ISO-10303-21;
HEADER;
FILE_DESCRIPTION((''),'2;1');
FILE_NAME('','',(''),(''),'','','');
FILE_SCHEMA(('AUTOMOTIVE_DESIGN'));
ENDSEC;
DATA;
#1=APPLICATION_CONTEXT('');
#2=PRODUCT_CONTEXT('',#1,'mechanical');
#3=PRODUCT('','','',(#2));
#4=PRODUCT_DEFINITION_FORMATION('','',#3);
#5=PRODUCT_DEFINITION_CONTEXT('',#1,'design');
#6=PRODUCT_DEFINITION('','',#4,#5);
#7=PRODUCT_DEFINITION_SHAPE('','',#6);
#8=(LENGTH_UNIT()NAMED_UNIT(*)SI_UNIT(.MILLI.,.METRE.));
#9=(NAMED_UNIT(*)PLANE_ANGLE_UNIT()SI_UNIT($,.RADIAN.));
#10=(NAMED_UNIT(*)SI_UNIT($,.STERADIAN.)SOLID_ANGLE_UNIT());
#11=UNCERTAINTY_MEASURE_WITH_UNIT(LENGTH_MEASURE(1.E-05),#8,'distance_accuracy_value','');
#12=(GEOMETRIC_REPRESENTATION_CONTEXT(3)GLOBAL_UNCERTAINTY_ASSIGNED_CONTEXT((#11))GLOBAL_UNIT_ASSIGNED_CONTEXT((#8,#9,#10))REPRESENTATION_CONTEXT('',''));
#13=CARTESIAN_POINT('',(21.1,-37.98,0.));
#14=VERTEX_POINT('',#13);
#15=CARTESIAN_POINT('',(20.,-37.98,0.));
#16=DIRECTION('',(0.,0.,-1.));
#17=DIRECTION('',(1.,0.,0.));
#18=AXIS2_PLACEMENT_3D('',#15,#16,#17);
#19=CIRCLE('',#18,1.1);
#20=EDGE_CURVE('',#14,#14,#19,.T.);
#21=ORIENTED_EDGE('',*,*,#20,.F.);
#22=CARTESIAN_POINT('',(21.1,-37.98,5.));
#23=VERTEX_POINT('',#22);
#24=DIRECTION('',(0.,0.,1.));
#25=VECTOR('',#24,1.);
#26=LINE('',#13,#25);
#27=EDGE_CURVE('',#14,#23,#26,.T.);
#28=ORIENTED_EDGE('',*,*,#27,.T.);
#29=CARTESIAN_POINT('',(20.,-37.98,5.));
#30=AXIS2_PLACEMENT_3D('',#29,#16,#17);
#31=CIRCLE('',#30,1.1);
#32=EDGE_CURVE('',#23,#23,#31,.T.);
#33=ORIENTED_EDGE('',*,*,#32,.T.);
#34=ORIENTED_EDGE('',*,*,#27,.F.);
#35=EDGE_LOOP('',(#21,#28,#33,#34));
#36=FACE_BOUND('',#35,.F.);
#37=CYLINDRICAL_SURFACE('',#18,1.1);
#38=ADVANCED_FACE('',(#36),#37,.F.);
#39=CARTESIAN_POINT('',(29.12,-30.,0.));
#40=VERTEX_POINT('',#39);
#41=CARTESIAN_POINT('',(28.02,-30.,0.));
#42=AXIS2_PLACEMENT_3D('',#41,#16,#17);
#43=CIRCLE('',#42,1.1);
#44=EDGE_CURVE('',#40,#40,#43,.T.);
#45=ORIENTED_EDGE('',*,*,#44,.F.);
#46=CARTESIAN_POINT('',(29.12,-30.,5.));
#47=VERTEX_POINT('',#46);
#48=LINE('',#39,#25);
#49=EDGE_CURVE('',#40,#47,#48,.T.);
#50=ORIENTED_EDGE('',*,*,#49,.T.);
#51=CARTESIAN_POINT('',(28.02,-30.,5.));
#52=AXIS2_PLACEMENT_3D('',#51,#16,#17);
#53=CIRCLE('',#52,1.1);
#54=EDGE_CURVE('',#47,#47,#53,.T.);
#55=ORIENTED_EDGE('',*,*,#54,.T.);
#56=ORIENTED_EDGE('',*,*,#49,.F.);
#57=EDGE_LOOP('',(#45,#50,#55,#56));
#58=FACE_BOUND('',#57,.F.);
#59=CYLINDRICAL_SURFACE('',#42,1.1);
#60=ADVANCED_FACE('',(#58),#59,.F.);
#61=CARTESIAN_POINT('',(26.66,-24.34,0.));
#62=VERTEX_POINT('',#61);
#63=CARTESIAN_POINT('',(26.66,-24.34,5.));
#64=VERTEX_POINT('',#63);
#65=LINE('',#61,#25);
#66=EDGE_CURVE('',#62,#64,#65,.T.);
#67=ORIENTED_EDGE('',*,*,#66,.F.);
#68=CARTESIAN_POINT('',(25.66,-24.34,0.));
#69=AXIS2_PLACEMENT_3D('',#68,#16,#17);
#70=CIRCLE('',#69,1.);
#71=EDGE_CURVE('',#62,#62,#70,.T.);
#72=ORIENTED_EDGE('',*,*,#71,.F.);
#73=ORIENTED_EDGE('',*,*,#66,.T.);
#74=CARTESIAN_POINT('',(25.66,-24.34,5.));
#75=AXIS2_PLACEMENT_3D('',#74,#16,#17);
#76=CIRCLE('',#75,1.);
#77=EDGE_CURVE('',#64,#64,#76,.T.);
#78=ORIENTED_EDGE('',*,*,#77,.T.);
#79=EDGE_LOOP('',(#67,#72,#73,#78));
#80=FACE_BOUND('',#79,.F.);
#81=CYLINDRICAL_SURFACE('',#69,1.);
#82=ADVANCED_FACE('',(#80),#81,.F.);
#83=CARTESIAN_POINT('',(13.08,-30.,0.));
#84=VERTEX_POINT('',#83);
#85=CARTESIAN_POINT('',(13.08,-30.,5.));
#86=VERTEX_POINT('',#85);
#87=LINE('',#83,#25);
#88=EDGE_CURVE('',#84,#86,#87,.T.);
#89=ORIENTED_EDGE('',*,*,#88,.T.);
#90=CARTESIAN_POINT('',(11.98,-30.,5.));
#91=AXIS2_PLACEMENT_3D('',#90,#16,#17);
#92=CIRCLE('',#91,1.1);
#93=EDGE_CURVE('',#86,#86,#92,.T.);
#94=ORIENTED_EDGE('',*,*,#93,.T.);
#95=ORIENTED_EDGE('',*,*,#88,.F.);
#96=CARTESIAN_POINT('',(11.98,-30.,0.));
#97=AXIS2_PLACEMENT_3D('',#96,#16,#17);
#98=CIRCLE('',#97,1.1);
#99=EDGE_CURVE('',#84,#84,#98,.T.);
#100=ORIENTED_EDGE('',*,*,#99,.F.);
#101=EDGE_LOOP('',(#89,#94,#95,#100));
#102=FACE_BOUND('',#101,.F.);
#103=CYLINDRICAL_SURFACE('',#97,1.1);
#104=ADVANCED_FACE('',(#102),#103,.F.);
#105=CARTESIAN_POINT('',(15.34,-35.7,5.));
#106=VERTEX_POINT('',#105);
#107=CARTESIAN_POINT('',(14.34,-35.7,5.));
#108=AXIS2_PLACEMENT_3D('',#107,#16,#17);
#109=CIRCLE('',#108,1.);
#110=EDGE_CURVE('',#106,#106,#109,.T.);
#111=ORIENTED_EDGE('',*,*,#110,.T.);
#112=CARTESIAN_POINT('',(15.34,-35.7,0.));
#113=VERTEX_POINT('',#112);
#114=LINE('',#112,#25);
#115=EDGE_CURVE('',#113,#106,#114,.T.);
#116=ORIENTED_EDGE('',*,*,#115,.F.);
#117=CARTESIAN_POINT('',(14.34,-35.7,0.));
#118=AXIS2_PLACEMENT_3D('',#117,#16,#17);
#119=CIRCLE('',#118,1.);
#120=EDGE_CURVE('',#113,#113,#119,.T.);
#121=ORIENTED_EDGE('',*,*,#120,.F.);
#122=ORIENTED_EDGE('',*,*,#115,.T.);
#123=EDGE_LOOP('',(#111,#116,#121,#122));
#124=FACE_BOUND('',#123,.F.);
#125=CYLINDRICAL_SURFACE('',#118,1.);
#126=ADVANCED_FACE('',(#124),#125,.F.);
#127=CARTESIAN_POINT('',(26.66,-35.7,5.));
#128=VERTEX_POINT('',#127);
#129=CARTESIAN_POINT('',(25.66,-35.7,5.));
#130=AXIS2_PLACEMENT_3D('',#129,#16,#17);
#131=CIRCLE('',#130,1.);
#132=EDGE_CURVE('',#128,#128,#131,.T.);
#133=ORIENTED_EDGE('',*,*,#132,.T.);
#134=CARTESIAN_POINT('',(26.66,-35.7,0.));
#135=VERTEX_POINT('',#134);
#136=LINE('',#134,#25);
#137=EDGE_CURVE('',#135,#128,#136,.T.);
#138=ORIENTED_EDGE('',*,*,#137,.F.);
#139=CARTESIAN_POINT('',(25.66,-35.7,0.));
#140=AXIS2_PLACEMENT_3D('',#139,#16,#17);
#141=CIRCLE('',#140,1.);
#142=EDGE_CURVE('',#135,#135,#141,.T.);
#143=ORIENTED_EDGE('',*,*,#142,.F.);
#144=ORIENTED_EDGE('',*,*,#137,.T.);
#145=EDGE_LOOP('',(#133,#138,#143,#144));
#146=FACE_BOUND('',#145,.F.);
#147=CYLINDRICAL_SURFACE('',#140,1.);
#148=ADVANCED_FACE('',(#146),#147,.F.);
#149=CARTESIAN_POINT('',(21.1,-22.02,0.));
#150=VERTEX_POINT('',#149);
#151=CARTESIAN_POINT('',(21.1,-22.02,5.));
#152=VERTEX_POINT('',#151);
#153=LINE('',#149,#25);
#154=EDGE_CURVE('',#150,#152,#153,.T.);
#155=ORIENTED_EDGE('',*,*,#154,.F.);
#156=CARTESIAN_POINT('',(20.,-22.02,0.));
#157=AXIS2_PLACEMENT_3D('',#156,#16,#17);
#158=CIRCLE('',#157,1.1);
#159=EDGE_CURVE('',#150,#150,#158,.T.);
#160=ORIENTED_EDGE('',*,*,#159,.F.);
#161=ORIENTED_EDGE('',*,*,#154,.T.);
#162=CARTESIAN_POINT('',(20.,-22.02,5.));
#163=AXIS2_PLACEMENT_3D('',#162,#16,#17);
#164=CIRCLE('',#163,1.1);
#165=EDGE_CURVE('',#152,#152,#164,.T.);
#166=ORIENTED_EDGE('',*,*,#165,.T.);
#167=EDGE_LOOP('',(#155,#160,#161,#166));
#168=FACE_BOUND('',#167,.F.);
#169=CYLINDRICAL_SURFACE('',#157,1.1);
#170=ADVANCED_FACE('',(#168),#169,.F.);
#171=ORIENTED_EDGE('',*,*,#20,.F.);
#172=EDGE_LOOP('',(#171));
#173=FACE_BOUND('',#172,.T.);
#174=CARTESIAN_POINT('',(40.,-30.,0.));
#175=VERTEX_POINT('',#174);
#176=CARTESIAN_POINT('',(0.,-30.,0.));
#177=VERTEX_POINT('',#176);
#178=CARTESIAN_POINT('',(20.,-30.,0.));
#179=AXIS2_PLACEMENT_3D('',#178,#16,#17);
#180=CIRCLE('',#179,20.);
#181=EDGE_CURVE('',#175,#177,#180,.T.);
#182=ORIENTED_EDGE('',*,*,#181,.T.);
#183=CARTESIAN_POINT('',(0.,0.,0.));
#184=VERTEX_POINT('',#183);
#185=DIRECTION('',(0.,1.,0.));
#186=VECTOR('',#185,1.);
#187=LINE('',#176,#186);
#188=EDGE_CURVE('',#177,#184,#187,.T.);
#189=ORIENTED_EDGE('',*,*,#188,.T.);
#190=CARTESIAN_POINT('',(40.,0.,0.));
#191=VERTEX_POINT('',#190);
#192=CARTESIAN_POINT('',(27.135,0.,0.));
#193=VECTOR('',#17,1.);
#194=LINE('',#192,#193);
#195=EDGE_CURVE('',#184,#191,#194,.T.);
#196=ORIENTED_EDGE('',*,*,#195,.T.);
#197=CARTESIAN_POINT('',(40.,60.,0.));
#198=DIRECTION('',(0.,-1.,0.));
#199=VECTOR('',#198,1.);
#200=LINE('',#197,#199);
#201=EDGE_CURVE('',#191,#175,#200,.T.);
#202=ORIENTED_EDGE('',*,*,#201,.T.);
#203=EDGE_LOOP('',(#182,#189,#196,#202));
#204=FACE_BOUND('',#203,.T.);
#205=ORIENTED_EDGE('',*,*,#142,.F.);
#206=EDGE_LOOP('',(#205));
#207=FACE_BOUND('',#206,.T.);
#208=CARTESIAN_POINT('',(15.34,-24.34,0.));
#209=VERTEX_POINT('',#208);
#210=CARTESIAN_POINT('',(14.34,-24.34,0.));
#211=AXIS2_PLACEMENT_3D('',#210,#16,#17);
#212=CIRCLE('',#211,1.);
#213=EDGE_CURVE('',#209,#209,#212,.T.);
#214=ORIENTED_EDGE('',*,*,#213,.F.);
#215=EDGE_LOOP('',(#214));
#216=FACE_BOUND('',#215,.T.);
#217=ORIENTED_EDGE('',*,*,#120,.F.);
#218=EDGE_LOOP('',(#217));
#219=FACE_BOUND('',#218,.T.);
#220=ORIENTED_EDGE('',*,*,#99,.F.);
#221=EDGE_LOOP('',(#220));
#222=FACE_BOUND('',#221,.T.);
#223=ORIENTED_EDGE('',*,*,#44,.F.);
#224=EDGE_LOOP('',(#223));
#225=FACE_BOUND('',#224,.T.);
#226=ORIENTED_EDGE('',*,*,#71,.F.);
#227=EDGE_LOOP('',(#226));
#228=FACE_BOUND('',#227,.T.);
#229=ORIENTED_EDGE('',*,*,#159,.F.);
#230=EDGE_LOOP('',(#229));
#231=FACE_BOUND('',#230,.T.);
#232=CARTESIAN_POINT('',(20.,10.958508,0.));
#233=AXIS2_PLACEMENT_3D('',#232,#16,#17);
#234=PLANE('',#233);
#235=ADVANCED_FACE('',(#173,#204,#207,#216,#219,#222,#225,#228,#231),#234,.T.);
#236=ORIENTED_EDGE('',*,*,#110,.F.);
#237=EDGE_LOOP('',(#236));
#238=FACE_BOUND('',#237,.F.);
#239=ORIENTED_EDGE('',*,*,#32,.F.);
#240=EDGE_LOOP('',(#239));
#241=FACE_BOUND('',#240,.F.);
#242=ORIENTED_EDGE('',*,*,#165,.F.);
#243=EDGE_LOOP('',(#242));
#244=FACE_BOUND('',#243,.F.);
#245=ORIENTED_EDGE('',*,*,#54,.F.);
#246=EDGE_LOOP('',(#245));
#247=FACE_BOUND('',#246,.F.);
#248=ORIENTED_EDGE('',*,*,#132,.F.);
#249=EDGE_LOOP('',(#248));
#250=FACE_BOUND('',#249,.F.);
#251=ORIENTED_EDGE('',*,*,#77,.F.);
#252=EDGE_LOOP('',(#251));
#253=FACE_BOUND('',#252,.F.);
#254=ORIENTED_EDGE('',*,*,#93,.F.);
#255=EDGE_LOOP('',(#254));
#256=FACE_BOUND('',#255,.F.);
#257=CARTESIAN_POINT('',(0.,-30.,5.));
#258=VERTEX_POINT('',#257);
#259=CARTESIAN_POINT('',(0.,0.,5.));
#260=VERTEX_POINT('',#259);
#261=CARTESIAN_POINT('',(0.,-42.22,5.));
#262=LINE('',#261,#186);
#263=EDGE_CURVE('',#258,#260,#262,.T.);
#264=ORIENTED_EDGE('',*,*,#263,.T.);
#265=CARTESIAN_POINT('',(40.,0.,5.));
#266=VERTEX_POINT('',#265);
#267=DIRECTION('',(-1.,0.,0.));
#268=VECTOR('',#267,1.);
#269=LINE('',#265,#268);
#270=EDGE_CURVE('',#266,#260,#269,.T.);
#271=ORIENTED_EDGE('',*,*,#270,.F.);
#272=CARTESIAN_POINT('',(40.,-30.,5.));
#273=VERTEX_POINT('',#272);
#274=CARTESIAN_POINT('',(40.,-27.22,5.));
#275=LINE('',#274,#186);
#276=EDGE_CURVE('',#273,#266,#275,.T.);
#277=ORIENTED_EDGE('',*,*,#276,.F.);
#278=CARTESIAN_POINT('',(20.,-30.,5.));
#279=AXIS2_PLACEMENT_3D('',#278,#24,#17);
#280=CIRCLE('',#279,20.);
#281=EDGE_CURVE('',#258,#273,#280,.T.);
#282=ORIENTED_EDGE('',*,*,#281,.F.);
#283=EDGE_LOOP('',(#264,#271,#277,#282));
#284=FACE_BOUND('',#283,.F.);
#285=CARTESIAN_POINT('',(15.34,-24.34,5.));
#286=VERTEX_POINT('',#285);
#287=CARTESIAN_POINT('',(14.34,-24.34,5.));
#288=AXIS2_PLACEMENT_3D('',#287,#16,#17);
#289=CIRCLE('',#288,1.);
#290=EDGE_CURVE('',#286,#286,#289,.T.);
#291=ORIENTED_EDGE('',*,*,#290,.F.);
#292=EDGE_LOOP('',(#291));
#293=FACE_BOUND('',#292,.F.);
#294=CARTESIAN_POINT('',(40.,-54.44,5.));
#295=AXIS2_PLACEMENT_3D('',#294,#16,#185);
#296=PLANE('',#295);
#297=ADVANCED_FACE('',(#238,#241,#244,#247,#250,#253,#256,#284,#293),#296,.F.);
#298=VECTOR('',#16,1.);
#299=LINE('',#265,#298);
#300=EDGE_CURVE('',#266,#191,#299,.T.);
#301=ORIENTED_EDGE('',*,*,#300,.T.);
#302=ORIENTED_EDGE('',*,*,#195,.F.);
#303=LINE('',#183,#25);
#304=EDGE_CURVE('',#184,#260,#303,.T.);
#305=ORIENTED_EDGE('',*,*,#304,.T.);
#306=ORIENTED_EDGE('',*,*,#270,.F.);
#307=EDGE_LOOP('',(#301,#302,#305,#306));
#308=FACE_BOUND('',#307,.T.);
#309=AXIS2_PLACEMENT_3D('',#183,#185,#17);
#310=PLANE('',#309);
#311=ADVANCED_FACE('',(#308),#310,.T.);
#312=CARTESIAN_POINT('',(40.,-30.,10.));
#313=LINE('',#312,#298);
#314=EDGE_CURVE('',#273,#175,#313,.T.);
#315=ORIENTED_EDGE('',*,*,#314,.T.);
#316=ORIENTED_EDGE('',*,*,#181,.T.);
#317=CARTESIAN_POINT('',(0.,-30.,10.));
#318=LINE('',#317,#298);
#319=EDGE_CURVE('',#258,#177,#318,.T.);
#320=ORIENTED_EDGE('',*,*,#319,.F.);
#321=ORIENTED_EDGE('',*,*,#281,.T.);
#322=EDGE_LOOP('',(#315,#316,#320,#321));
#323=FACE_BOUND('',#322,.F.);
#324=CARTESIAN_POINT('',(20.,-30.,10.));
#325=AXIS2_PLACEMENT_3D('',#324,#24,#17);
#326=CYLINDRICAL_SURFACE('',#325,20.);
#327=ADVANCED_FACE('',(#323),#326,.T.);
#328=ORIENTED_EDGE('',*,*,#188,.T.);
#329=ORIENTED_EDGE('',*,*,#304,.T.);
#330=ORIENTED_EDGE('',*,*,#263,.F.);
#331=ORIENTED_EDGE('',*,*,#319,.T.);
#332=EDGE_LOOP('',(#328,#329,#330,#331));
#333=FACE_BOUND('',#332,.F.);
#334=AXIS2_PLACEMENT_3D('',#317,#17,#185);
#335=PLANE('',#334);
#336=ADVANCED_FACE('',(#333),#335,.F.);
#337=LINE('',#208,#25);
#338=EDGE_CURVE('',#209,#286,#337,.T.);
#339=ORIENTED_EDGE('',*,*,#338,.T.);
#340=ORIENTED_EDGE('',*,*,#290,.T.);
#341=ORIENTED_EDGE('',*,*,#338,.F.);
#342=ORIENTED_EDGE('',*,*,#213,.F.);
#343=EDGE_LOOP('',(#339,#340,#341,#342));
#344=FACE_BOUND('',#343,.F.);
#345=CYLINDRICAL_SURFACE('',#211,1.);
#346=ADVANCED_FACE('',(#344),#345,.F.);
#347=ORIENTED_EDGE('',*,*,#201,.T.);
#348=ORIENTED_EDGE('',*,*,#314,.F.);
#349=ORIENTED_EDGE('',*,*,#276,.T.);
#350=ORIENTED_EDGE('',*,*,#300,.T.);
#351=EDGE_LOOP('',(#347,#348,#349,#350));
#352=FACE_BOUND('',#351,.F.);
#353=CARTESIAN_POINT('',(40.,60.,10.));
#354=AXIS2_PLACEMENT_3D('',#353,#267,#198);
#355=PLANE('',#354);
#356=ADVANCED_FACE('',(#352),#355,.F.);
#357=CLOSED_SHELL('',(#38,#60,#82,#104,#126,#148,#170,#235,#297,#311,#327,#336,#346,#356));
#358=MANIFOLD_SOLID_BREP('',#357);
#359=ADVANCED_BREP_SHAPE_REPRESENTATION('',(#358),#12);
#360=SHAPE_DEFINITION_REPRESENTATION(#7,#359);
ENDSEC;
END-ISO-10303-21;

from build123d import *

# Parameters (mm, degrees)
SKETCH_W        = 29
SKETCH_H        = 47
PAD_DEPTH       = 40
SKETCH001_R     = 9.75
PAD001_DEPTH    = 10
SKETCH002_W     = 56
SKETCH002_H     = 6
POCKET_DEPTH    = 100
SKETCH003_W     = 54.44
SKETCH003_H     = 5.76
POCKET001_DEPTH = 40.001
SKETCH004_R     = 1.1
SKETCH004_R_2   = 1
POCKET002_DEPTH = 5
SKETCH005_W     = 54.27
SKETCH005_H     = 70.91
POCKET003_DEPTH = 50.001


with BuildPart() as part:
    # Sketch → Pad (new body)
    with BuildSketch(Plane.XY.offset(10)):
        with BuildLine():
            Line((0, 0), (40, 0))
            Line((40, 0), (40, 60))
            ThreePointArc((40, 60), (20, 68.990653), (0, 60))
            Line((0, 60), (0, 0))
        make_face()
        with Locations((20, 30)):
            Rectangle(SKETCH_W, SKETCH_H, mode=Mode.SUBTRACT)
    extrude(amount=PAD_DEPTH)

    # Sketch001 (on Face9 of Pad) → Pad001 (join)
    with BuildSketch(Plane(origin=(0, 0, 10), x_dir=(1, 0, 0), z_dir=(0, 0, -1))):
        with BuildLine():
            Line((40, -60), (40, 30))
            ThreePointArc((40, 30), (20, 50), (0, 30))
            Line((0, 30), (0, -60))
            ThreePointArc((0, -60), (20, -68.990653), (40, -60))
        make_face()
        with Locations((20, -42.25)):
            Circle(SKETCH001_R, mode=Mode.SUBTRACT)
    extrude(amount=PAD001_DEPTH)

    # Sketch002 (on Face7 of Pad001) → Pocket (cut)
    with BuildSketch(Plane(origin=(0, 0, 0), x_dir=(0, -1, 0), z_dir=(-1, 0, 0))):
        with Locations((-48, 3)):
            Rectangle(SKETCH002_W, SKETCH002_H)
    extrude(amount=-POCKET_DEPTH, mode=Mode.SUBTRACT)

    # Sketch003 (on Face8 of Pocket) → Pocket001 (cut, through all)
    with BuildSketch(Plane.YZ.offset(40)):
        with Locations((-27.22, 7.88)):
            Rectangle(SKETCH003_W, SKETCH003_H)
    extrude(amount=-POCKET001_DEPTH, mode=Mode.SUBTRACT)

    # Sketch004 (on Face12 of Pocket001) → Pocket002 (cut)
    with BuildSketch(Plane(origin=(0, 0, 0), x_dir=(1, 0, 0), z_dir=(0, 0, -1))):
        with Locations((11.98, 30)):
            Circle(SKETCH004_R)
        with Locations((14.34, 35.7)):
            Circle(SKETCH004_R_2)
        with Locations((20, 37.98)):
            Circle(SKETCH004_R)
        with Locations((25.66, 35.7)):
            Circle(SKETCH004_R_2)
        with Locations((28.02, 30)):
            Circle(SKETCH004_R)
        with Locations((25.66, 24.34)):
            Circle(SKETCH004_R_2)
        with Locations((20, 22.02)):
            Circle(SKETCH004_R)
        with Locations((14.34, 24.34)):
            Circle(SKETCH004_R_2)
    extrude(amount=-POCKET002_DEPTH, mode=Mode.SUBTRACT)

    # Sketch005 (on Face12 of Pocket002) → Pocket003 (cut, through all)
    with BuildSketch(Plane(origin=(0, 0, 0), x_dir=(1, 0, 0), z_dir=(0, 0, -1))):
        with Locations((27.135, -35.455)):
            Rectangle(SKETCH005_W, SKETCH005_H)
    extrude(amount=-POCKET003_DEPTH, mode=Mode.SUBTRACT)


solid = part.part
